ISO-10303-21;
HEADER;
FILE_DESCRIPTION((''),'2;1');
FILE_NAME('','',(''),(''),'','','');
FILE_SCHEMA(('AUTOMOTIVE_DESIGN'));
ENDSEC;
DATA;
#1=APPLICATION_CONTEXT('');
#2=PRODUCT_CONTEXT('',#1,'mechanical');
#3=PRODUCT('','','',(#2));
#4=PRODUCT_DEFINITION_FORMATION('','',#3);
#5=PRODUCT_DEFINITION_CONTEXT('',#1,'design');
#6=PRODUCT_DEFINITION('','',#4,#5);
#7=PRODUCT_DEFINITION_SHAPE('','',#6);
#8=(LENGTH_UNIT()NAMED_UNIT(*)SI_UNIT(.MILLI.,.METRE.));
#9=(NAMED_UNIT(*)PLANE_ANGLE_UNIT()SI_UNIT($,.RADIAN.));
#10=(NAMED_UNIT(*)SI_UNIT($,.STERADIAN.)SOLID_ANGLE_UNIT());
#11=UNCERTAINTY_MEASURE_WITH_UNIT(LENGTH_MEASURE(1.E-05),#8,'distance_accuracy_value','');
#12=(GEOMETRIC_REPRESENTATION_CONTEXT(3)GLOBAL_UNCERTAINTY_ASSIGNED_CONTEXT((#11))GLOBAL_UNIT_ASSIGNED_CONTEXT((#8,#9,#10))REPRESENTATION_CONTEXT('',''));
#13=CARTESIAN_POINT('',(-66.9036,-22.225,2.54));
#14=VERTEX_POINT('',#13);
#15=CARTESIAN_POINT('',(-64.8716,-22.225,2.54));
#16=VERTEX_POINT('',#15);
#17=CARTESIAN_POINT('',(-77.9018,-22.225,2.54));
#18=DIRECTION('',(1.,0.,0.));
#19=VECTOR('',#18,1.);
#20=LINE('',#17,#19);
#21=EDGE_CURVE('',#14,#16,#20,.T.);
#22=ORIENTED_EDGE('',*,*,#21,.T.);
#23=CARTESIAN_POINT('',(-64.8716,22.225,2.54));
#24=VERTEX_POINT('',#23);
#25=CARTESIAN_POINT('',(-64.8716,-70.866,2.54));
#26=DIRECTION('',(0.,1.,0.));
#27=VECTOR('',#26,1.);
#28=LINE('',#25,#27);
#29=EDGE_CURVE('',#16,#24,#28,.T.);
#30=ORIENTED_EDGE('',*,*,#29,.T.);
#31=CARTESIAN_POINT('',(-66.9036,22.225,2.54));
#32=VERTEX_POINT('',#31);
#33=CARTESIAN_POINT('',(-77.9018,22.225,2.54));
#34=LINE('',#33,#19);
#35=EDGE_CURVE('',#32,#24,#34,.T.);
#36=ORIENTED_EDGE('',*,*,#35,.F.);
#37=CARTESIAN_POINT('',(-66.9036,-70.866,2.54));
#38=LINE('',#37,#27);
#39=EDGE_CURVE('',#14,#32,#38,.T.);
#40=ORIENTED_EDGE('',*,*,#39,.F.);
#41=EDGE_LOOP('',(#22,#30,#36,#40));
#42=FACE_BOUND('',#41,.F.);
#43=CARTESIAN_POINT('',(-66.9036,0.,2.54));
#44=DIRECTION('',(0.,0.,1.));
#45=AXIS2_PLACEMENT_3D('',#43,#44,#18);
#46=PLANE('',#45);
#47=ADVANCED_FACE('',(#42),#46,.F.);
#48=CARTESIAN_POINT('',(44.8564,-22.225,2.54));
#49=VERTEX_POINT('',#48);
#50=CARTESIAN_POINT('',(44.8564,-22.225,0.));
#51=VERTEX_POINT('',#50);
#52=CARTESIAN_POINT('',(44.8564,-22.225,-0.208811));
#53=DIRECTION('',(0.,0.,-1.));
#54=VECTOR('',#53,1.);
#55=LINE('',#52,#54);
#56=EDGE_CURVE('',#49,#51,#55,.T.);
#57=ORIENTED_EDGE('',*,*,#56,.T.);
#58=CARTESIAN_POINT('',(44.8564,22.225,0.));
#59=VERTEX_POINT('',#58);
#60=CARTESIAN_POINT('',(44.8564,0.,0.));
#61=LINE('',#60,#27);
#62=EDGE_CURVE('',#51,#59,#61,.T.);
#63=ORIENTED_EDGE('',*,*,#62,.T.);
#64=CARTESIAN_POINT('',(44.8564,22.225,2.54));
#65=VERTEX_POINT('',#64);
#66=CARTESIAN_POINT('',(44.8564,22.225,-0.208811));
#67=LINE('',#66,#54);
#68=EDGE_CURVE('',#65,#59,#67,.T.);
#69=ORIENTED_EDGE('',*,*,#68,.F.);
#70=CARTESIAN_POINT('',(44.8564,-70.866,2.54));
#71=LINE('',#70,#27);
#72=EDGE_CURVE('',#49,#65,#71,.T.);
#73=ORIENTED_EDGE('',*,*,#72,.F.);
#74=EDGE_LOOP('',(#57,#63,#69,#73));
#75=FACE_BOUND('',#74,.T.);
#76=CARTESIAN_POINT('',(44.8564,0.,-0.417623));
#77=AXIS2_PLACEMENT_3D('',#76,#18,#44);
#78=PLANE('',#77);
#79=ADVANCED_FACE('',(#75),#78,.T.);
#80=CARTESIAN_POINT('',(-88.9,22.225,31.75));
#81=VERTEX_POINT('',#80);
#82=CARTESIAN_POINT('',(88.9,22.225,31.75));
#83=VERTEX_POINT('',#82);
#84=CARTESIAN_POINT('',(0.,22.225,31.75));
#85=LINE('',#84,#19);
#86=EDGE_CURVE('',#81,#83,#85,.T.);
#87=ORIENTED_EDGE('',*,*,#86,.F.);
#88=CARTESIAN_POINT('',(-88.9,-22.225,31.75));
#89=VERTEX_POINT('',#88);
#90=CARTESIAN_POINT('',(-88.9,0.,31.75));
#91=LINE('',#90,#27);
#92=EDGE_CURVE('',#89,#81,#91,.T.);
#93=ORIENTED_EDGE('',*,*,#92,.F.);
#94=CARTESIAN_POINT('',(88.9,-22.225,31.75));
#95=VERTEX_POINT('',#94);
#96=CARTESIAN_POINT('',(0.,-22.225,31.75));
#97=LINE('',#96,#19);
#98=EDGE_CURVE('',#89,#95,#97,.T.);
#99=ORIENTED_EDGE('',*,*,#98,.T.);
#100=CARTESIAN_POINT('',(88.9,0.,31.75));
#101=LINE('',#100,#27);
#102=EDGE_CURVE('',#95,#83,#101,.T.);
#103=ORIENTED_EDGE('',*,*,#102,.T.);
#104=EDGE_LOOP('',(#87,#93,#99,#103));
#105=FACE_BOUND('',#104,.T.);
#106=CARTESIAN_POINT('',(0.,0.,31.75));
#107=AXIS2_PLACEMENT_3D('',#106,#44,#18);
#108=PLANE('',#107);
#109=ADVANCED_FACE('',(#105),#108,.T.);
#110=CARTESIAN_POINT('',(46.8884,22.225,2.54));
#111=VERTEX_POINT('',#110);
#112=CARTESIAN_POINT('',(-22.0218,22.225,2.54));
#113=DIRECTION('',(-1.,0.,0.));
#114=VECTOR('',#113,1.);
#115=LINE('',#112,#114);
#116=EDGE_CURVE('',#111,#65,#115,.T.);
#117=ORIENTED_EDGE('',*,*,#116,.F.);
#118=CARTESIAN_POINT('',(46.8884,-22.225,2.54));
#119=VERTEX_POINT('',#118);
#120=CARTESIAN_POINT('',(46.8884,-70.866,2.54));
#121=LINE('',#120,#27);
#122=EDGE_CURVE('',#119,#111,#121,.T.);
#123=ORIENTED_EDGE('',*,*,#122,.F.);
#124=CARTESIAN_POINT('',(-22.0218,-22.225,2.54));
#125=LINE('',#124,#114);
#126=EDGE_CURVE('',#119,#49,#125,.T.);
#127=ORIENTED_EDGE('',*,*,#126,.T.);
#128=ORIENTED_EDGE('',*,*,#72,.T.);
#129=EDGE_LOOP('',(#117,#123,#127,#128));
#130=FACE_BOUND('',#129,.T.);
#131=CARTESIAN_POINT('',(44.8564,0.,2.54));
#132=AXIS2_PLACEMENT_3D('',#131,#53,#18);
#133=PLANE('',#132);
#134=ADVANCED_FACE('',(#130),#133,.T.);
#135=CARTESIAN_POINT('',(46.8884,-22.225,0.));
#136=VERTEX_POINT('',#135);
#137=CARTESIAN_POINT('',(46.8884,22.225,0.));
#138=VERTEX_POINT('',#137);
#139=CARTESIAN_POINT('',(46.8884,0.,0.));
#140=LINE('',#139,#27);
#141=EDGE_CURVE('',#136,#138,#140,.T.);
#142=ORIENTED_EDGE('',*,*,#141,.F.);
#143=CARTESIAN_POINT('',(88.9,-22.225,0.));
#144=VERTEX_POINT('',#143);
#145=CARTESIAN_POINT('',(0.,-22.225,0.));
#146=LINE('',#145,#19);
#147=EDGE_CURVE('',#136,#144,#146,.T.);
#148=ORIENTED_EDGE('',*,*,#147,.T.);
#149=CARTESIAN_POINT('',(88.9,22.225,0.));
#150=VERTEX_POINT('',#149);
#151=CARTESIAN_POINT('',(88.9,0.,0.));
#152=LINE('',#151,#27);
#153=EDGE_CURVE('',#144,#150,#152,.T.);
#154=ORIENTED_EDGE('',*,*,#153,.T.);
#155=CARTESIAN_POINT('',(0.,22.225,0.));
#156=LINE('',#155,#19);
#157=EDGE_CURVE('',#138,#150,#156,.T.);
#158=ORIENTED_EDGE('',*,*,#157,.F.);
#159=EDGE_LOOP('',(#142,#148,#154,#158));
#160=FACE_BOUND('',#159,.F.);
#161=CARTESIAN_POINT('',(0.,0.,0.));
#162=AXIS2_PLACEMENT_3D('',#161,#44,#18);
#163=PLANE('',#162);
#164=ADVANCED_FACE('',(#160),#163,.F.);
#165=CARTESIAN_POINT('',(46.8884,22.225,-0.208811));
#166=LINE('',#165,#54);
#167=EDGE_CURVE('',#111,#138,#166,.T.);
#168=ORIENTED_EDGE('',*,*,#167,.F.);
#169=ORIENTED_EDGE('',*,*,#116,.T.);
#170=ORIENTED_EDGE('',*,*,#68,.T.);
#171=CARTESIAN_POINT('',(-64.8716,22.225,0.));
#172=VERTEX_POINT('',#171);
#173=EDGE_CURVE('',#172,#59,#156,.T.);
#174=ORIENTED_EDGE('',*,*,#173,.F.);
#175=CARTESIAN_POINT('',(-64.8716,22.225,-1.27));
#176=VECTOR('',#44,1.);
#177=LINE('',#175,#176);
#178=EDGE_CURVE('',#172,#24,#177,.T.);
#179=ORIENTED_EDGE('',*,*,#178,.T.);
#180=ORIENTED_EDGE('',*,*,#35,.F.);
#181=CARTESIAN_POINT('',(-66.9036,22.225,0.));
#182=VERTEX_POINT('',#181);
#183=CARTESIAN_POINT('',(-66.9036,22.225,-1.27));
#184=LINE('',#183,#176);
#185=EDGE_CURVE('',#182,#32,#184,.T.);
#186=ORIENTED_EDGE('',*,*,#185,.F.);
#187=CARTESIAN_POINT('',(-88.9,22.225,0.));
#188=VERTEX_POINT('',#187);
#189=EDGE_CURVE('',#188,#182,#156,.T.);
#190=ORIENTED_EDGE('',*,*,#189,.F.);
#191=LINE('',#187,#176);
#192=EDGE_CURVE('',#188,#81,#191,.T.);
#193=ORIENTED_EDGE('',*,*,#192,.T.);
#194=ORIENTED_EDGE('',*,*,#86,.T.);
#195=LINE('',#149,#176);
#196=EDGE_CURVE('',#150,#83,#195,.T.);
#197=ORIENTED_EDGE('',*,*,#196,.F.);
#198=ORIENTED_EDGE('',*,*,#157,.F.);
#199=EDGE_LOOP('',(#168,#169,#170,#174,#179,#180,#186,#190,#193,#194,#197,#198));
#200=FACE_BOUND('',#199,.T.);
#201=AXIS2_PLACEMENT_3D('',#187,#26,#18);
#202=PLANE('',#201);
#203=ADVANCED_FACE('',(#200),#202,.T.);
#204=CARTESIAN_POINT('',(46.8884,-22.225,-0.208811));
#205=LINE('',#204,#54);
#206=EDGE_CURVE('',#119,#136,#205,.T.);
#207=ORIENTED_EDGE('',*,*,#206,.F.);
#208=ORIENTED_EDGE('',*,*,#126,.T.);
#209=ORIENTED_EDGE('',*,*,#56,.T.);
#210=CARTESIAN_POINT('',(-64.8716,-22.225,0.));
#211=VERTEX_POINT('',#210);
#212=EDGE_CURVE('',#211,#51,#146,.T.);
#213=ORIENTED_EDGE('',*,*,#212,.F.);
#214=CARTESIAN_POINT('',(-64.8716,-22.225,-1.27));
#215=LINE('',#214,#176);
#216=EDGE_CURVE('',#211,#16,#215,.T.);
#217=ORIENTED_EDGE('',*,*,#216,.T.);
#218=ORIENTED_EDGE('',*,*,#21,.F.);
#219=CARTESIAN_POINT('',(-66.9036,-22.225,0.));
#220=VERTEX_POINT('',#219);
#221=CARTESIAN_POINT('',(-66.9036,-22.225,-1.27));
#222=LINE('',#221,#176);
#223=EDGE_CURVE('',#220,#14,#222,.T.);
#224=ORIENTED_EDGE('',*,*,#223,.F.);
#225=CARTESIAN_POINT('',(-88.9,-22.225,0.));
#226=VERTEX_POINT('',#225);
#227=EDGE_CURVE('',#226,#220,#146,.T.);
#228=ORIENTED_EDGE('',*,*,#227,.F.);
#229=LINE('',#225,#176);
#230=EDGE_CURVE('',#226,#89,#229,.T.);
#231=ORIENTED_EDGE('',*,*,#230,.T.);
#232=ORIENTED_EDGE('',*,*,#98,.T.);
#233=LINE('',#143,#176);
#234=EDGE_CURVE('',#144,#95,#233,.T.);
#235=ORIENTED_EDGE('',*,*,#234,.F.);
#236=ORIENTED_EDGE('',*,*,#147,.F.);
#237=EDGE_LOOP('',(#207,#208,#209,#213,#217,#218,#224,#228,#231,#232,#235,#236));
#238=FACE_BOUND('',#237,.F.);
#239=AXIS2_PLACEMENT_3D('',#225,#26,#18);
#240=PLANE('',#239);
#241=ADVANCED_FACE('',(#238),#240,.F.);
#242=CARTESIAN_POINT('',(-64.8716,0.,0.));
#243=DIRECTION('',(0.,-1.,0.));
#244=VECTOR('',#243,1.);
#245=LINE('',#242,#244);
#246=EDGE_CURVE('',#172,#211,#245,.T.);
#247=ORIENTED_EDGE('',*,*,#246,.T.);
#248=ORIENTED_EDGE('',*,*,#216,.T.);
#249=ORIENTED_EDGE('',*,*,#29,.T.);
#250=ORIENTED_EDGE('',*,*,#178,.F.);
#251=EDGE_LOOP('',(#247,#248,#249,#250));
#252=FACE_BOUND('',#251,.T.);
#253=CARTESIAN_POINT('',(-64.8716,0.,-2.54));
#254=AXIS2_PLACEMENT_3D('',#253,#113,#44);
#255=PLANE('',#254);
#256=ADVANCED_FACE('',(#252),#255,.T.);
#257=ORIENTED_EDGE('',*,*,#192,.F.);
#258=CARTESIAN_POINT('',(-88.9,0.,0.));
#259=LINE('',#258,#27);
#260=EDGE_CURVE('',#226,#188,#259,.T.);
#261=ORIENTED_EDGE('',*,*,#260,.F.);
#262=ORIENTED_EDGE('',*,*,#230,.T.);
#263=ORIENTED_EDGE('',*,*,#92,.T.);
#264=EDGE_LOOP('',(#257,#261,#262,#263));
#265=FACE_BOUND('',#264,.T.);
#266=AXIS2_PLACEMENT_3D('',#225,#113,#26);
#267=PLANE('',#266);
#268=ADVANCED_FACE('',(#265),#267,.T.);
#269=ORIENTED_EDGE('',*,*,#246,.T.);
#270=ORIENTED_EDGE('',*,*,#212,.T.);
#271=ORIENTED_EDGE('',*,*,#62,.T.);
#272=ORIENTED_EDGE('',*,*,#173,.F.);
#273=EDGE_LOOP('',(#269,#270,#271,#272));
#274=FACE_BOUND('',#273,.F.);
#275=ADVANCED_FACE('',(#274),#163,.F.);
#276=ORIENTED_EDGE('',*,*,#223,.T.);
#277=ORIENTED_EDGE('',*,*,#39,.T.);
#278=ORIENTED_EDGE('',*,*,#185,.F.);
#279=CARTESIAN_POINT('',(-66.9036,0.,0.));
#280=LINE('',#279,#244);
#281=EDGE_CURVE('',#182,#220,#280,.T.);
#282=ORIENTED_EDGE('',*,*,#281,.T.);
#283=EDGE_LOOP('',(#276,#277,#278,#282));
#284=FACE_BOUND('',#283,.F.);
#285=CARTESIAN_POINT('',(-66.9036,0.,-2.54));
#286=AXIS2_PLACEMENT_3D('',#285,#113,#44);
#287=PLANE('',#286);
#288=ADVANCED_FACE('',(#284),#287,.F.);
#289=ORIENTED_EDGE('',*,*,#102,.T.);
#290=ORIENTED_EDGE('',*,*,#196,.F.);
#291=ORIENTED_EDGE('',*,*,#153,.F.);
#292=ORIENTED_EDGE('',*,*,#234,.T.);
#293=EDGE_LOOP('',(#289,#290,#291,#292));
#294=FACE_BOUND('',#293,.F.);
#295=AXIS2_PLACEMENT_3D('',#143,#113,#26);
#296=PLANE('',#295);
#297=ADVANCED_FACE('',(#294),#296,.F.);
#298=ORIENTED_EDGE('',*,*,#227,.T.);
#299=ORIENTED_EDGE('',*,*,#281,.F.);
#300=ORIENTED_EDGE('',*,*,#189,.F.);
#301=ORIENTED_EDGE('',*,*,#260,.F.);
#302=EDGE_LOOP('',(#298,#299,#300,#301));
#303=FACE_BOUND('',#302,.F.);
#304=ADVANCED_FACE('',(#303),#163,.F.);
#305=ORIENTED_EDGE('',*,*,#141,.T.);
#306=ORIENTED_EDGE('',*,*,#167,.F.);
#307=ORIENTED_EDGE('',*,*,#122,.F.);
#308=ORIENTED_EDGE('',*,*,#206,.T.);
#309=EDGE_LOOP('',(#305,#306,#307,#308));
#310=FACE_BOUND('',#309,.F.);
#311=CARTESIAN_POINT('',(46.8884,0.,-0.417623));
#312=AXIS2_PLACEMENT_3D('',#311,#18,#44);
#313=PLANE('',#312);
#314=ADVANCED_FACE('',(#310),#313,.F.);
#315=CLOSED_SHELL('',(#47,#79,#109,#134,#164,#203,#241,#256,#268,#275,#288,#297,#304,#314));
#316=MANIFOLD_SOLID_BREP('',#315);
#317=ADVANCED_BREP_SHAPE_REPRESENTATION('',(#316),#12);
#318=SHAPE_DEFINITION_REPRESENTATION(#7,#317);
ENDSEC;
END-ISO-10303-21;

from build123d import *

# Parameters (mm, degrees)
F0_W     = 177.8
F0_H     = 44.45
F1_DEPTH = 31.75
F2_W     = 2.032
F2_H     = 5.08
F2_H_2   = 2.957622528
F3_DEPTH = 70.866


with BuildPart() as f1:
    # F0 (on Top) → F1 (new body)
    with BuildSketch(Plane.XY):
        Rectangle(F0_W, F0_H)
    extrude(amount=F1_DEPTH)

    # F2 (on Front) → F3 (cut, symmetric)
    with BuildSketch(Plane.XZ):
        with Locations((-65.8876, 0)):
            Rectangle(F2_W, F2_H)
        with Locations((45.8724, 1.061188736)):
            Rectangle(F2_W, F2_H_2)
    extrude(amount=F3_DEPTH, both=True, mode=Mode.SUBTRACT)


solid = f1.part
